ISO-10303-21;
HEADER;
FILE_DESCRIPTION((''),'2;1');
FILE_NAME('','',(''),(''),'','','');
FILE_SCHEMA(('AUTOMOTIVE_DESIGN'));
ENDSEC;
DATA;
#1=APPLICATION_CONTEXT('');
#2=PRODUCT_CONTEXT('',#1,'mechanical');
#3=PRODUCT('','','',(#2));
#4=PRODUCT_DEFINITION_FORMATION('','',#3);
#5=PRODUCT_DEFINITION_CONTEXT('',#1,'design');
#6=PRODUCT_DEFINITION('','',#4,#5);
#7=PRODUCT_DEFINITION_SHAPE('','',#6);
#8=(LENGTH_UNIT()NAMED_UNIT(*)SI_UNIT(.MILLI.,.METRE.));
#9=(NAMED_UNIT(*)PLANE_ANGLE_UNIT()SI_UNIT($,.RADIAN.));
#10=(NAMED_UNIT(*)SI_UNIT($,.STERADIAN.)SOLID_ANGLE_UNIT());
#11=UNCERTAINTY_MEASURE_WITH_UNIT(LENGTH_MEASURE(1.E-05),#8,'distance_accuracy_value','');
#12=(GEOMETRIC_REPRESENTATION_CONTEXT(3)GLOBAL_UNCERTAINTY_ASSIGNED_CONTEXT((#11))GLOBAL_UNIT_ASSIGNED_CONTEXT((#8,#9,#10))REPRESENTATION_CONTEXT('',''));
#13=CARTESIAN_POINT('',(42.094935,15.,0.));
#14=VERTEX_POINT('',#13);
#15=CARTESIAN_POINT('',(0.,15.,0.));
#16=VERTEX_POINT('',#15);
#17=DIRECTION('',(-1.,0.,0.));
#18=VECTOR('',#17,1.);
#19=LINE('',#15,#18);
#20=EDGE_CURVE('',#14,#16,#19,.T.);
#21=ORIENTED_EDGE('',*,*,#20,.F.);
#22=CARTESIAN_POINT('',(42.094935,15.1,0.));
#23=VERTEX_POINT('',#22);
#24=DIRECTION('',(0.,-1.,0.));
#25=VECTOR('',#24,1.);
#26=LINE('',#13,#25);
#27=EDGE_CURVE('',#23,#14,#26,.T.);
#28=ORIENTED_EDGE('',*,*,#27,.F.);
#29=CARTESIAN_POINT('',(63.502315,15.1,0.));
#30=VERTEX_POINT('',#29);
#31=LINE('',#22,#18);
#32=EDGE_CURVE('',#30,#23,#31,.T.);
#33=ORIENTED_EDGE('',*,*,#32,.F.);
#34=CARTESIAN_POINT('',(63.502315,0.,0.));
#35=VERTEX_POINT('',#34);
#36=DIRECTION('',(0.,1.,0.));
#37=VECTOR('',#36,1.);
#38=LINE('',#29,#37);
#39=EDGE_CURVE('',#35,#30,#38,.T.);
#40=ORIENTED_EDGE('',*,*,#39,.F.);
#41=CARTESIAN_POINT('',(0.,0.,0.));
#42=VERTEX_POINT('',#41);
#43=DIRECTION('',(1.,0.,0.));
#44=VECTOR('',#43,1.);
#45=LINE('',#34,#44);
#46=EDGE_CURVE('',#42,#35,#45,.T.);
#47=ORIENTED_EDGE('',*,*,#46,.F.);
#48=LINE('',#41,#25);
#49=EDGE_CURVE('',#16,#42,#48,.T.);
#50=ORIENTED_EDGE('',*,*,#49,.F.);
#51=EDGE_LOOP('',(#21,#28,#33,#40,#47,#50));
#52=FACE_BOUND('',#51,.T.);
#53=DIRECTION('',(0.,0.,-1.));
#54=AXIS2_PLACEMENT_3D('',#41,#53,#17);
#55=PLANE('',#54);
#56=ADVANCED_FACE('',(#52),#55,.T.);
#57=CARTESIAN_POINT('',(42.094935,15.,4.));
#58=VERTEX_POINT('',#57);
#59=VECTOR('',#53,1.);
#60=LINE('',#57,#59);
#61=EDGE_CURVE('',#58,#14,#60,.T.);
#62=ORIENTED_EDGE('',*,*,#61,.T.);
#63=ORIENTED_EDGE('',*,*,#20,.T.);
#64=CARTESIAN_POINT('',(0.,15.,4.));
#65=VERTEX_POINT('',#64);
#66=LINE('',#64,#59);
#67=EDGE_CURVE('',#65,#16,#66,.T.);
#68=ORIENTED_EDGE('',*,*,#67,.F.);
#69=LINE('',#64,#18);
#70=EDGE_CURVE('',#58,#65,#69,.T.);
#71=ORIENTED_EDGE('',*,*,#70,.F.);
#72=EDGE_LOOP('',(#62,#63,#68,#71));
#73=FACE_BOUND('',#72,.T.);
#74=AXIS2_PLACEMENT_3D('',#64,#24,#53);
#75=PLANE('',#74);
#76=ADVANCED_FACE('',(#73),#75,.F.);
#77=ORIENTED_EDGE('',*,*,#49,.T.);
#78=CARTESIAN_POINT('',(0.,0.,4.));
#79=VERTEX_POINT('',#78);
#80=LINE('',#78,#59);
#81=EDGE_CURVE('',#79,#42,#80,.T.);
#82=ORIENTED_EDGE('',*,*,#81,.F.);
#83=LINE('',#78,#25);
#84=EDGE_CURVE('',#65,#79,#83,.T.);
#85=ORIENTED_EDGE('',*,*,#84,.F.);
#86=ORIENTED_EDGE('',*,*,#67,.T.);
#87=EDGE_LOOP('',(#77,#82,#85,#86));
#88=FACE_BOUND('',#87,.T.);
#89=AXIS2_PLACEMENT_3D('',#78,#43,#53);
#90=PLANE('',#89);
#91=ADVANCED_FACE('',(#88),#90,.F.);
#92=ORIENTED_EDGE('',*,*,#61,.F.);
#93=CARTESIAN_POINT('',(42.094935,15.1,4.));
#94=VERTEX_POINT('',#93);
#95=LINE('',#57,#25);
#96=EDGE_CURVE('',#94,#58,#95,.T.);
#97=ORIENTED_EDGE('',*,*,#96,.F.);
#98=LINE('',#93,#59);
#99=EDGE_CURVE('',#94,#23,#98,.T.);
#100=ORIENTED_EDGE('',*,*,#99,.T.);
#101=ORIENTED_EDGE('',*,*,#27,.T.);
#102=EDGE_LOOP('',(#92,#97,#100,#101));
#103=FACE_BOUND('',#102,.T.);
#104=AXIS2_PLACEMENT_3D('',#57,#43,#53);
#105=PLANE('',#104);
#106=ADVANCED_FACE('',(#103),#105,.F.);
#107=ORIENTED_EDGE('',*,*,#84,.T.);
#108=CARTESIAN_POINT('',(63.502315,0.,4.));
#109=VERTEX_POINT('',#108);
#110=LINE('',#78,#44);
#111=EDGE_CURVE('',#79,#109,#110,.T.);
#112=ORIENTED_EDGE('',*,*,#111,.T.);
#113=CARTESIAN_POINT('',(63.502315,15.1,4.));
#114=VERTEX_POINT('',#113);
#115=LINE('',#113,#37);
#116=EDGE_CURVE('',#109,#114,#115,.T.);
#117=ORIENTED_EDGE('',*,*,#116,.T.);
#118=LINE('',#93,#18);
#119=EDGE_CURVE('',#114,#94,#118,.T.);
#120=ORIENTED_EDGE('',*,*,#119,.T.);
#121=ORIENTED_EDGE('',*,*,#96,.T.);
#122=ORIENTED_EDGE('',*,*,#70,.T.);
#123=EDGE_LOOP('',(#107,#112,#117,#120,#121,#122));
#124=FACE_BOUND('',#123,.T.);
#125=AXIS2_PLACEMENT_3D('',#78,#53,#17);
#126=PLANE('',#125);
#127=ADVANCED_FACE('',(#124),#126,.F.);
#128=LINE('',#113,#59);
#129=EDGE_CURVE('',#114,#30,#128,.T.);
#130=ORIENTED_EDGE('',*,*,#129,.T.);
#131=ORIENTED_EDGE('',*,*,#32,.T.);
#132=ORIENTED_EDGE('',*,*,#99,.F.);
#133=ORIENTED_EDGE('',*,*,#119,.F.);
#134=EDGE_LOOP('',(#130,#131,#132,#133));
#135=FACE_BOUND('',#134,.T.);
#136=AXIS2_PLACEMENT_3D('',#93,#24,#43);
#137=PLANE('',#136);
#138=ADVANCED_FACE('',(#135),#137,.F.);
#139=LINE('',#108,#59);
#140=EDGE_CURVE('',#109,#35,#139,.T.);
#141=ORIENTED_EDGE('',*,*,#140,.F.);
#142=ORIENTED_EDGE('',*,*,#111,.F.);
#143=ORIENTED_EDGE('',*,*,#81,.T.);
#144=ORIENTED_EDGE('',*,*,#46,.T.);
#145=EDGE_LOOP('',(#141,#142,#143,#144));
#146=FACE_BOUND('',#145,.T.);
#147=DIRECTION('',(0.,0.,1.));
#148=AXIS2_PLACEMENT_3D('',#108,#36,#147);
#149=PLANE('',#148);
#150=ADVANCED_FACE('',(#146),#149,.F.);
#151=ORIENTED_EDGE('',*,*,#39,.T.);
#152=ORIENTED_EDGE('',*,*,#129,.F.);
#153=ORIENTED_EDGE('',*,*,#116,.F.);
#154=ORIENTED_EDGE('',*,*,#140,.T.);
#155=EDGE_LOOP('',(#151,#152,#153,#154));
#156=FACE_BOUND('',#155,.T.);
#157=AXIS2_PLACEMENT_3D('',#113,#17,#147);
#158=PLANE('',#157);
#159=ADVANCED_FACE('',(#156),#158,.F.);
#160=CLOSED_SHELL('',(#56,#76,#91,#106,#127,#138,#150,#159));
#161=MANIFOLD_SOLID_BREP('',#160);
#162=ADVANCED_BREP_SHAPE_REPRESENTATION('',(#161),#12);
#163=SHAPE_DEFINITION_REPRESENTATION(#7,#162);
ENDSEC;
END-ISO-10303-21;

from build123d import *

# Parameters (mm, degrees)
AUFSATZ_LINEAR_AUSTRAGEN1_DEPTH = 4


with BuildPart() as part:
    # Skizze1 → Aufsatz-Linear austragen1 (new body)
    with BuildSketch(Plane.XY):
        Polygon((42.094934725, 15), (42.094934725, 15.1), (63.502314547, 15.1), (63.502314547, 0), (42.094934725, 0), (0, 0), (0, 15), align=None)
    extrude(amount=AUFSATZ_LINEAR_AUSTRAGEN1_DEPTH)


solid = part.part
